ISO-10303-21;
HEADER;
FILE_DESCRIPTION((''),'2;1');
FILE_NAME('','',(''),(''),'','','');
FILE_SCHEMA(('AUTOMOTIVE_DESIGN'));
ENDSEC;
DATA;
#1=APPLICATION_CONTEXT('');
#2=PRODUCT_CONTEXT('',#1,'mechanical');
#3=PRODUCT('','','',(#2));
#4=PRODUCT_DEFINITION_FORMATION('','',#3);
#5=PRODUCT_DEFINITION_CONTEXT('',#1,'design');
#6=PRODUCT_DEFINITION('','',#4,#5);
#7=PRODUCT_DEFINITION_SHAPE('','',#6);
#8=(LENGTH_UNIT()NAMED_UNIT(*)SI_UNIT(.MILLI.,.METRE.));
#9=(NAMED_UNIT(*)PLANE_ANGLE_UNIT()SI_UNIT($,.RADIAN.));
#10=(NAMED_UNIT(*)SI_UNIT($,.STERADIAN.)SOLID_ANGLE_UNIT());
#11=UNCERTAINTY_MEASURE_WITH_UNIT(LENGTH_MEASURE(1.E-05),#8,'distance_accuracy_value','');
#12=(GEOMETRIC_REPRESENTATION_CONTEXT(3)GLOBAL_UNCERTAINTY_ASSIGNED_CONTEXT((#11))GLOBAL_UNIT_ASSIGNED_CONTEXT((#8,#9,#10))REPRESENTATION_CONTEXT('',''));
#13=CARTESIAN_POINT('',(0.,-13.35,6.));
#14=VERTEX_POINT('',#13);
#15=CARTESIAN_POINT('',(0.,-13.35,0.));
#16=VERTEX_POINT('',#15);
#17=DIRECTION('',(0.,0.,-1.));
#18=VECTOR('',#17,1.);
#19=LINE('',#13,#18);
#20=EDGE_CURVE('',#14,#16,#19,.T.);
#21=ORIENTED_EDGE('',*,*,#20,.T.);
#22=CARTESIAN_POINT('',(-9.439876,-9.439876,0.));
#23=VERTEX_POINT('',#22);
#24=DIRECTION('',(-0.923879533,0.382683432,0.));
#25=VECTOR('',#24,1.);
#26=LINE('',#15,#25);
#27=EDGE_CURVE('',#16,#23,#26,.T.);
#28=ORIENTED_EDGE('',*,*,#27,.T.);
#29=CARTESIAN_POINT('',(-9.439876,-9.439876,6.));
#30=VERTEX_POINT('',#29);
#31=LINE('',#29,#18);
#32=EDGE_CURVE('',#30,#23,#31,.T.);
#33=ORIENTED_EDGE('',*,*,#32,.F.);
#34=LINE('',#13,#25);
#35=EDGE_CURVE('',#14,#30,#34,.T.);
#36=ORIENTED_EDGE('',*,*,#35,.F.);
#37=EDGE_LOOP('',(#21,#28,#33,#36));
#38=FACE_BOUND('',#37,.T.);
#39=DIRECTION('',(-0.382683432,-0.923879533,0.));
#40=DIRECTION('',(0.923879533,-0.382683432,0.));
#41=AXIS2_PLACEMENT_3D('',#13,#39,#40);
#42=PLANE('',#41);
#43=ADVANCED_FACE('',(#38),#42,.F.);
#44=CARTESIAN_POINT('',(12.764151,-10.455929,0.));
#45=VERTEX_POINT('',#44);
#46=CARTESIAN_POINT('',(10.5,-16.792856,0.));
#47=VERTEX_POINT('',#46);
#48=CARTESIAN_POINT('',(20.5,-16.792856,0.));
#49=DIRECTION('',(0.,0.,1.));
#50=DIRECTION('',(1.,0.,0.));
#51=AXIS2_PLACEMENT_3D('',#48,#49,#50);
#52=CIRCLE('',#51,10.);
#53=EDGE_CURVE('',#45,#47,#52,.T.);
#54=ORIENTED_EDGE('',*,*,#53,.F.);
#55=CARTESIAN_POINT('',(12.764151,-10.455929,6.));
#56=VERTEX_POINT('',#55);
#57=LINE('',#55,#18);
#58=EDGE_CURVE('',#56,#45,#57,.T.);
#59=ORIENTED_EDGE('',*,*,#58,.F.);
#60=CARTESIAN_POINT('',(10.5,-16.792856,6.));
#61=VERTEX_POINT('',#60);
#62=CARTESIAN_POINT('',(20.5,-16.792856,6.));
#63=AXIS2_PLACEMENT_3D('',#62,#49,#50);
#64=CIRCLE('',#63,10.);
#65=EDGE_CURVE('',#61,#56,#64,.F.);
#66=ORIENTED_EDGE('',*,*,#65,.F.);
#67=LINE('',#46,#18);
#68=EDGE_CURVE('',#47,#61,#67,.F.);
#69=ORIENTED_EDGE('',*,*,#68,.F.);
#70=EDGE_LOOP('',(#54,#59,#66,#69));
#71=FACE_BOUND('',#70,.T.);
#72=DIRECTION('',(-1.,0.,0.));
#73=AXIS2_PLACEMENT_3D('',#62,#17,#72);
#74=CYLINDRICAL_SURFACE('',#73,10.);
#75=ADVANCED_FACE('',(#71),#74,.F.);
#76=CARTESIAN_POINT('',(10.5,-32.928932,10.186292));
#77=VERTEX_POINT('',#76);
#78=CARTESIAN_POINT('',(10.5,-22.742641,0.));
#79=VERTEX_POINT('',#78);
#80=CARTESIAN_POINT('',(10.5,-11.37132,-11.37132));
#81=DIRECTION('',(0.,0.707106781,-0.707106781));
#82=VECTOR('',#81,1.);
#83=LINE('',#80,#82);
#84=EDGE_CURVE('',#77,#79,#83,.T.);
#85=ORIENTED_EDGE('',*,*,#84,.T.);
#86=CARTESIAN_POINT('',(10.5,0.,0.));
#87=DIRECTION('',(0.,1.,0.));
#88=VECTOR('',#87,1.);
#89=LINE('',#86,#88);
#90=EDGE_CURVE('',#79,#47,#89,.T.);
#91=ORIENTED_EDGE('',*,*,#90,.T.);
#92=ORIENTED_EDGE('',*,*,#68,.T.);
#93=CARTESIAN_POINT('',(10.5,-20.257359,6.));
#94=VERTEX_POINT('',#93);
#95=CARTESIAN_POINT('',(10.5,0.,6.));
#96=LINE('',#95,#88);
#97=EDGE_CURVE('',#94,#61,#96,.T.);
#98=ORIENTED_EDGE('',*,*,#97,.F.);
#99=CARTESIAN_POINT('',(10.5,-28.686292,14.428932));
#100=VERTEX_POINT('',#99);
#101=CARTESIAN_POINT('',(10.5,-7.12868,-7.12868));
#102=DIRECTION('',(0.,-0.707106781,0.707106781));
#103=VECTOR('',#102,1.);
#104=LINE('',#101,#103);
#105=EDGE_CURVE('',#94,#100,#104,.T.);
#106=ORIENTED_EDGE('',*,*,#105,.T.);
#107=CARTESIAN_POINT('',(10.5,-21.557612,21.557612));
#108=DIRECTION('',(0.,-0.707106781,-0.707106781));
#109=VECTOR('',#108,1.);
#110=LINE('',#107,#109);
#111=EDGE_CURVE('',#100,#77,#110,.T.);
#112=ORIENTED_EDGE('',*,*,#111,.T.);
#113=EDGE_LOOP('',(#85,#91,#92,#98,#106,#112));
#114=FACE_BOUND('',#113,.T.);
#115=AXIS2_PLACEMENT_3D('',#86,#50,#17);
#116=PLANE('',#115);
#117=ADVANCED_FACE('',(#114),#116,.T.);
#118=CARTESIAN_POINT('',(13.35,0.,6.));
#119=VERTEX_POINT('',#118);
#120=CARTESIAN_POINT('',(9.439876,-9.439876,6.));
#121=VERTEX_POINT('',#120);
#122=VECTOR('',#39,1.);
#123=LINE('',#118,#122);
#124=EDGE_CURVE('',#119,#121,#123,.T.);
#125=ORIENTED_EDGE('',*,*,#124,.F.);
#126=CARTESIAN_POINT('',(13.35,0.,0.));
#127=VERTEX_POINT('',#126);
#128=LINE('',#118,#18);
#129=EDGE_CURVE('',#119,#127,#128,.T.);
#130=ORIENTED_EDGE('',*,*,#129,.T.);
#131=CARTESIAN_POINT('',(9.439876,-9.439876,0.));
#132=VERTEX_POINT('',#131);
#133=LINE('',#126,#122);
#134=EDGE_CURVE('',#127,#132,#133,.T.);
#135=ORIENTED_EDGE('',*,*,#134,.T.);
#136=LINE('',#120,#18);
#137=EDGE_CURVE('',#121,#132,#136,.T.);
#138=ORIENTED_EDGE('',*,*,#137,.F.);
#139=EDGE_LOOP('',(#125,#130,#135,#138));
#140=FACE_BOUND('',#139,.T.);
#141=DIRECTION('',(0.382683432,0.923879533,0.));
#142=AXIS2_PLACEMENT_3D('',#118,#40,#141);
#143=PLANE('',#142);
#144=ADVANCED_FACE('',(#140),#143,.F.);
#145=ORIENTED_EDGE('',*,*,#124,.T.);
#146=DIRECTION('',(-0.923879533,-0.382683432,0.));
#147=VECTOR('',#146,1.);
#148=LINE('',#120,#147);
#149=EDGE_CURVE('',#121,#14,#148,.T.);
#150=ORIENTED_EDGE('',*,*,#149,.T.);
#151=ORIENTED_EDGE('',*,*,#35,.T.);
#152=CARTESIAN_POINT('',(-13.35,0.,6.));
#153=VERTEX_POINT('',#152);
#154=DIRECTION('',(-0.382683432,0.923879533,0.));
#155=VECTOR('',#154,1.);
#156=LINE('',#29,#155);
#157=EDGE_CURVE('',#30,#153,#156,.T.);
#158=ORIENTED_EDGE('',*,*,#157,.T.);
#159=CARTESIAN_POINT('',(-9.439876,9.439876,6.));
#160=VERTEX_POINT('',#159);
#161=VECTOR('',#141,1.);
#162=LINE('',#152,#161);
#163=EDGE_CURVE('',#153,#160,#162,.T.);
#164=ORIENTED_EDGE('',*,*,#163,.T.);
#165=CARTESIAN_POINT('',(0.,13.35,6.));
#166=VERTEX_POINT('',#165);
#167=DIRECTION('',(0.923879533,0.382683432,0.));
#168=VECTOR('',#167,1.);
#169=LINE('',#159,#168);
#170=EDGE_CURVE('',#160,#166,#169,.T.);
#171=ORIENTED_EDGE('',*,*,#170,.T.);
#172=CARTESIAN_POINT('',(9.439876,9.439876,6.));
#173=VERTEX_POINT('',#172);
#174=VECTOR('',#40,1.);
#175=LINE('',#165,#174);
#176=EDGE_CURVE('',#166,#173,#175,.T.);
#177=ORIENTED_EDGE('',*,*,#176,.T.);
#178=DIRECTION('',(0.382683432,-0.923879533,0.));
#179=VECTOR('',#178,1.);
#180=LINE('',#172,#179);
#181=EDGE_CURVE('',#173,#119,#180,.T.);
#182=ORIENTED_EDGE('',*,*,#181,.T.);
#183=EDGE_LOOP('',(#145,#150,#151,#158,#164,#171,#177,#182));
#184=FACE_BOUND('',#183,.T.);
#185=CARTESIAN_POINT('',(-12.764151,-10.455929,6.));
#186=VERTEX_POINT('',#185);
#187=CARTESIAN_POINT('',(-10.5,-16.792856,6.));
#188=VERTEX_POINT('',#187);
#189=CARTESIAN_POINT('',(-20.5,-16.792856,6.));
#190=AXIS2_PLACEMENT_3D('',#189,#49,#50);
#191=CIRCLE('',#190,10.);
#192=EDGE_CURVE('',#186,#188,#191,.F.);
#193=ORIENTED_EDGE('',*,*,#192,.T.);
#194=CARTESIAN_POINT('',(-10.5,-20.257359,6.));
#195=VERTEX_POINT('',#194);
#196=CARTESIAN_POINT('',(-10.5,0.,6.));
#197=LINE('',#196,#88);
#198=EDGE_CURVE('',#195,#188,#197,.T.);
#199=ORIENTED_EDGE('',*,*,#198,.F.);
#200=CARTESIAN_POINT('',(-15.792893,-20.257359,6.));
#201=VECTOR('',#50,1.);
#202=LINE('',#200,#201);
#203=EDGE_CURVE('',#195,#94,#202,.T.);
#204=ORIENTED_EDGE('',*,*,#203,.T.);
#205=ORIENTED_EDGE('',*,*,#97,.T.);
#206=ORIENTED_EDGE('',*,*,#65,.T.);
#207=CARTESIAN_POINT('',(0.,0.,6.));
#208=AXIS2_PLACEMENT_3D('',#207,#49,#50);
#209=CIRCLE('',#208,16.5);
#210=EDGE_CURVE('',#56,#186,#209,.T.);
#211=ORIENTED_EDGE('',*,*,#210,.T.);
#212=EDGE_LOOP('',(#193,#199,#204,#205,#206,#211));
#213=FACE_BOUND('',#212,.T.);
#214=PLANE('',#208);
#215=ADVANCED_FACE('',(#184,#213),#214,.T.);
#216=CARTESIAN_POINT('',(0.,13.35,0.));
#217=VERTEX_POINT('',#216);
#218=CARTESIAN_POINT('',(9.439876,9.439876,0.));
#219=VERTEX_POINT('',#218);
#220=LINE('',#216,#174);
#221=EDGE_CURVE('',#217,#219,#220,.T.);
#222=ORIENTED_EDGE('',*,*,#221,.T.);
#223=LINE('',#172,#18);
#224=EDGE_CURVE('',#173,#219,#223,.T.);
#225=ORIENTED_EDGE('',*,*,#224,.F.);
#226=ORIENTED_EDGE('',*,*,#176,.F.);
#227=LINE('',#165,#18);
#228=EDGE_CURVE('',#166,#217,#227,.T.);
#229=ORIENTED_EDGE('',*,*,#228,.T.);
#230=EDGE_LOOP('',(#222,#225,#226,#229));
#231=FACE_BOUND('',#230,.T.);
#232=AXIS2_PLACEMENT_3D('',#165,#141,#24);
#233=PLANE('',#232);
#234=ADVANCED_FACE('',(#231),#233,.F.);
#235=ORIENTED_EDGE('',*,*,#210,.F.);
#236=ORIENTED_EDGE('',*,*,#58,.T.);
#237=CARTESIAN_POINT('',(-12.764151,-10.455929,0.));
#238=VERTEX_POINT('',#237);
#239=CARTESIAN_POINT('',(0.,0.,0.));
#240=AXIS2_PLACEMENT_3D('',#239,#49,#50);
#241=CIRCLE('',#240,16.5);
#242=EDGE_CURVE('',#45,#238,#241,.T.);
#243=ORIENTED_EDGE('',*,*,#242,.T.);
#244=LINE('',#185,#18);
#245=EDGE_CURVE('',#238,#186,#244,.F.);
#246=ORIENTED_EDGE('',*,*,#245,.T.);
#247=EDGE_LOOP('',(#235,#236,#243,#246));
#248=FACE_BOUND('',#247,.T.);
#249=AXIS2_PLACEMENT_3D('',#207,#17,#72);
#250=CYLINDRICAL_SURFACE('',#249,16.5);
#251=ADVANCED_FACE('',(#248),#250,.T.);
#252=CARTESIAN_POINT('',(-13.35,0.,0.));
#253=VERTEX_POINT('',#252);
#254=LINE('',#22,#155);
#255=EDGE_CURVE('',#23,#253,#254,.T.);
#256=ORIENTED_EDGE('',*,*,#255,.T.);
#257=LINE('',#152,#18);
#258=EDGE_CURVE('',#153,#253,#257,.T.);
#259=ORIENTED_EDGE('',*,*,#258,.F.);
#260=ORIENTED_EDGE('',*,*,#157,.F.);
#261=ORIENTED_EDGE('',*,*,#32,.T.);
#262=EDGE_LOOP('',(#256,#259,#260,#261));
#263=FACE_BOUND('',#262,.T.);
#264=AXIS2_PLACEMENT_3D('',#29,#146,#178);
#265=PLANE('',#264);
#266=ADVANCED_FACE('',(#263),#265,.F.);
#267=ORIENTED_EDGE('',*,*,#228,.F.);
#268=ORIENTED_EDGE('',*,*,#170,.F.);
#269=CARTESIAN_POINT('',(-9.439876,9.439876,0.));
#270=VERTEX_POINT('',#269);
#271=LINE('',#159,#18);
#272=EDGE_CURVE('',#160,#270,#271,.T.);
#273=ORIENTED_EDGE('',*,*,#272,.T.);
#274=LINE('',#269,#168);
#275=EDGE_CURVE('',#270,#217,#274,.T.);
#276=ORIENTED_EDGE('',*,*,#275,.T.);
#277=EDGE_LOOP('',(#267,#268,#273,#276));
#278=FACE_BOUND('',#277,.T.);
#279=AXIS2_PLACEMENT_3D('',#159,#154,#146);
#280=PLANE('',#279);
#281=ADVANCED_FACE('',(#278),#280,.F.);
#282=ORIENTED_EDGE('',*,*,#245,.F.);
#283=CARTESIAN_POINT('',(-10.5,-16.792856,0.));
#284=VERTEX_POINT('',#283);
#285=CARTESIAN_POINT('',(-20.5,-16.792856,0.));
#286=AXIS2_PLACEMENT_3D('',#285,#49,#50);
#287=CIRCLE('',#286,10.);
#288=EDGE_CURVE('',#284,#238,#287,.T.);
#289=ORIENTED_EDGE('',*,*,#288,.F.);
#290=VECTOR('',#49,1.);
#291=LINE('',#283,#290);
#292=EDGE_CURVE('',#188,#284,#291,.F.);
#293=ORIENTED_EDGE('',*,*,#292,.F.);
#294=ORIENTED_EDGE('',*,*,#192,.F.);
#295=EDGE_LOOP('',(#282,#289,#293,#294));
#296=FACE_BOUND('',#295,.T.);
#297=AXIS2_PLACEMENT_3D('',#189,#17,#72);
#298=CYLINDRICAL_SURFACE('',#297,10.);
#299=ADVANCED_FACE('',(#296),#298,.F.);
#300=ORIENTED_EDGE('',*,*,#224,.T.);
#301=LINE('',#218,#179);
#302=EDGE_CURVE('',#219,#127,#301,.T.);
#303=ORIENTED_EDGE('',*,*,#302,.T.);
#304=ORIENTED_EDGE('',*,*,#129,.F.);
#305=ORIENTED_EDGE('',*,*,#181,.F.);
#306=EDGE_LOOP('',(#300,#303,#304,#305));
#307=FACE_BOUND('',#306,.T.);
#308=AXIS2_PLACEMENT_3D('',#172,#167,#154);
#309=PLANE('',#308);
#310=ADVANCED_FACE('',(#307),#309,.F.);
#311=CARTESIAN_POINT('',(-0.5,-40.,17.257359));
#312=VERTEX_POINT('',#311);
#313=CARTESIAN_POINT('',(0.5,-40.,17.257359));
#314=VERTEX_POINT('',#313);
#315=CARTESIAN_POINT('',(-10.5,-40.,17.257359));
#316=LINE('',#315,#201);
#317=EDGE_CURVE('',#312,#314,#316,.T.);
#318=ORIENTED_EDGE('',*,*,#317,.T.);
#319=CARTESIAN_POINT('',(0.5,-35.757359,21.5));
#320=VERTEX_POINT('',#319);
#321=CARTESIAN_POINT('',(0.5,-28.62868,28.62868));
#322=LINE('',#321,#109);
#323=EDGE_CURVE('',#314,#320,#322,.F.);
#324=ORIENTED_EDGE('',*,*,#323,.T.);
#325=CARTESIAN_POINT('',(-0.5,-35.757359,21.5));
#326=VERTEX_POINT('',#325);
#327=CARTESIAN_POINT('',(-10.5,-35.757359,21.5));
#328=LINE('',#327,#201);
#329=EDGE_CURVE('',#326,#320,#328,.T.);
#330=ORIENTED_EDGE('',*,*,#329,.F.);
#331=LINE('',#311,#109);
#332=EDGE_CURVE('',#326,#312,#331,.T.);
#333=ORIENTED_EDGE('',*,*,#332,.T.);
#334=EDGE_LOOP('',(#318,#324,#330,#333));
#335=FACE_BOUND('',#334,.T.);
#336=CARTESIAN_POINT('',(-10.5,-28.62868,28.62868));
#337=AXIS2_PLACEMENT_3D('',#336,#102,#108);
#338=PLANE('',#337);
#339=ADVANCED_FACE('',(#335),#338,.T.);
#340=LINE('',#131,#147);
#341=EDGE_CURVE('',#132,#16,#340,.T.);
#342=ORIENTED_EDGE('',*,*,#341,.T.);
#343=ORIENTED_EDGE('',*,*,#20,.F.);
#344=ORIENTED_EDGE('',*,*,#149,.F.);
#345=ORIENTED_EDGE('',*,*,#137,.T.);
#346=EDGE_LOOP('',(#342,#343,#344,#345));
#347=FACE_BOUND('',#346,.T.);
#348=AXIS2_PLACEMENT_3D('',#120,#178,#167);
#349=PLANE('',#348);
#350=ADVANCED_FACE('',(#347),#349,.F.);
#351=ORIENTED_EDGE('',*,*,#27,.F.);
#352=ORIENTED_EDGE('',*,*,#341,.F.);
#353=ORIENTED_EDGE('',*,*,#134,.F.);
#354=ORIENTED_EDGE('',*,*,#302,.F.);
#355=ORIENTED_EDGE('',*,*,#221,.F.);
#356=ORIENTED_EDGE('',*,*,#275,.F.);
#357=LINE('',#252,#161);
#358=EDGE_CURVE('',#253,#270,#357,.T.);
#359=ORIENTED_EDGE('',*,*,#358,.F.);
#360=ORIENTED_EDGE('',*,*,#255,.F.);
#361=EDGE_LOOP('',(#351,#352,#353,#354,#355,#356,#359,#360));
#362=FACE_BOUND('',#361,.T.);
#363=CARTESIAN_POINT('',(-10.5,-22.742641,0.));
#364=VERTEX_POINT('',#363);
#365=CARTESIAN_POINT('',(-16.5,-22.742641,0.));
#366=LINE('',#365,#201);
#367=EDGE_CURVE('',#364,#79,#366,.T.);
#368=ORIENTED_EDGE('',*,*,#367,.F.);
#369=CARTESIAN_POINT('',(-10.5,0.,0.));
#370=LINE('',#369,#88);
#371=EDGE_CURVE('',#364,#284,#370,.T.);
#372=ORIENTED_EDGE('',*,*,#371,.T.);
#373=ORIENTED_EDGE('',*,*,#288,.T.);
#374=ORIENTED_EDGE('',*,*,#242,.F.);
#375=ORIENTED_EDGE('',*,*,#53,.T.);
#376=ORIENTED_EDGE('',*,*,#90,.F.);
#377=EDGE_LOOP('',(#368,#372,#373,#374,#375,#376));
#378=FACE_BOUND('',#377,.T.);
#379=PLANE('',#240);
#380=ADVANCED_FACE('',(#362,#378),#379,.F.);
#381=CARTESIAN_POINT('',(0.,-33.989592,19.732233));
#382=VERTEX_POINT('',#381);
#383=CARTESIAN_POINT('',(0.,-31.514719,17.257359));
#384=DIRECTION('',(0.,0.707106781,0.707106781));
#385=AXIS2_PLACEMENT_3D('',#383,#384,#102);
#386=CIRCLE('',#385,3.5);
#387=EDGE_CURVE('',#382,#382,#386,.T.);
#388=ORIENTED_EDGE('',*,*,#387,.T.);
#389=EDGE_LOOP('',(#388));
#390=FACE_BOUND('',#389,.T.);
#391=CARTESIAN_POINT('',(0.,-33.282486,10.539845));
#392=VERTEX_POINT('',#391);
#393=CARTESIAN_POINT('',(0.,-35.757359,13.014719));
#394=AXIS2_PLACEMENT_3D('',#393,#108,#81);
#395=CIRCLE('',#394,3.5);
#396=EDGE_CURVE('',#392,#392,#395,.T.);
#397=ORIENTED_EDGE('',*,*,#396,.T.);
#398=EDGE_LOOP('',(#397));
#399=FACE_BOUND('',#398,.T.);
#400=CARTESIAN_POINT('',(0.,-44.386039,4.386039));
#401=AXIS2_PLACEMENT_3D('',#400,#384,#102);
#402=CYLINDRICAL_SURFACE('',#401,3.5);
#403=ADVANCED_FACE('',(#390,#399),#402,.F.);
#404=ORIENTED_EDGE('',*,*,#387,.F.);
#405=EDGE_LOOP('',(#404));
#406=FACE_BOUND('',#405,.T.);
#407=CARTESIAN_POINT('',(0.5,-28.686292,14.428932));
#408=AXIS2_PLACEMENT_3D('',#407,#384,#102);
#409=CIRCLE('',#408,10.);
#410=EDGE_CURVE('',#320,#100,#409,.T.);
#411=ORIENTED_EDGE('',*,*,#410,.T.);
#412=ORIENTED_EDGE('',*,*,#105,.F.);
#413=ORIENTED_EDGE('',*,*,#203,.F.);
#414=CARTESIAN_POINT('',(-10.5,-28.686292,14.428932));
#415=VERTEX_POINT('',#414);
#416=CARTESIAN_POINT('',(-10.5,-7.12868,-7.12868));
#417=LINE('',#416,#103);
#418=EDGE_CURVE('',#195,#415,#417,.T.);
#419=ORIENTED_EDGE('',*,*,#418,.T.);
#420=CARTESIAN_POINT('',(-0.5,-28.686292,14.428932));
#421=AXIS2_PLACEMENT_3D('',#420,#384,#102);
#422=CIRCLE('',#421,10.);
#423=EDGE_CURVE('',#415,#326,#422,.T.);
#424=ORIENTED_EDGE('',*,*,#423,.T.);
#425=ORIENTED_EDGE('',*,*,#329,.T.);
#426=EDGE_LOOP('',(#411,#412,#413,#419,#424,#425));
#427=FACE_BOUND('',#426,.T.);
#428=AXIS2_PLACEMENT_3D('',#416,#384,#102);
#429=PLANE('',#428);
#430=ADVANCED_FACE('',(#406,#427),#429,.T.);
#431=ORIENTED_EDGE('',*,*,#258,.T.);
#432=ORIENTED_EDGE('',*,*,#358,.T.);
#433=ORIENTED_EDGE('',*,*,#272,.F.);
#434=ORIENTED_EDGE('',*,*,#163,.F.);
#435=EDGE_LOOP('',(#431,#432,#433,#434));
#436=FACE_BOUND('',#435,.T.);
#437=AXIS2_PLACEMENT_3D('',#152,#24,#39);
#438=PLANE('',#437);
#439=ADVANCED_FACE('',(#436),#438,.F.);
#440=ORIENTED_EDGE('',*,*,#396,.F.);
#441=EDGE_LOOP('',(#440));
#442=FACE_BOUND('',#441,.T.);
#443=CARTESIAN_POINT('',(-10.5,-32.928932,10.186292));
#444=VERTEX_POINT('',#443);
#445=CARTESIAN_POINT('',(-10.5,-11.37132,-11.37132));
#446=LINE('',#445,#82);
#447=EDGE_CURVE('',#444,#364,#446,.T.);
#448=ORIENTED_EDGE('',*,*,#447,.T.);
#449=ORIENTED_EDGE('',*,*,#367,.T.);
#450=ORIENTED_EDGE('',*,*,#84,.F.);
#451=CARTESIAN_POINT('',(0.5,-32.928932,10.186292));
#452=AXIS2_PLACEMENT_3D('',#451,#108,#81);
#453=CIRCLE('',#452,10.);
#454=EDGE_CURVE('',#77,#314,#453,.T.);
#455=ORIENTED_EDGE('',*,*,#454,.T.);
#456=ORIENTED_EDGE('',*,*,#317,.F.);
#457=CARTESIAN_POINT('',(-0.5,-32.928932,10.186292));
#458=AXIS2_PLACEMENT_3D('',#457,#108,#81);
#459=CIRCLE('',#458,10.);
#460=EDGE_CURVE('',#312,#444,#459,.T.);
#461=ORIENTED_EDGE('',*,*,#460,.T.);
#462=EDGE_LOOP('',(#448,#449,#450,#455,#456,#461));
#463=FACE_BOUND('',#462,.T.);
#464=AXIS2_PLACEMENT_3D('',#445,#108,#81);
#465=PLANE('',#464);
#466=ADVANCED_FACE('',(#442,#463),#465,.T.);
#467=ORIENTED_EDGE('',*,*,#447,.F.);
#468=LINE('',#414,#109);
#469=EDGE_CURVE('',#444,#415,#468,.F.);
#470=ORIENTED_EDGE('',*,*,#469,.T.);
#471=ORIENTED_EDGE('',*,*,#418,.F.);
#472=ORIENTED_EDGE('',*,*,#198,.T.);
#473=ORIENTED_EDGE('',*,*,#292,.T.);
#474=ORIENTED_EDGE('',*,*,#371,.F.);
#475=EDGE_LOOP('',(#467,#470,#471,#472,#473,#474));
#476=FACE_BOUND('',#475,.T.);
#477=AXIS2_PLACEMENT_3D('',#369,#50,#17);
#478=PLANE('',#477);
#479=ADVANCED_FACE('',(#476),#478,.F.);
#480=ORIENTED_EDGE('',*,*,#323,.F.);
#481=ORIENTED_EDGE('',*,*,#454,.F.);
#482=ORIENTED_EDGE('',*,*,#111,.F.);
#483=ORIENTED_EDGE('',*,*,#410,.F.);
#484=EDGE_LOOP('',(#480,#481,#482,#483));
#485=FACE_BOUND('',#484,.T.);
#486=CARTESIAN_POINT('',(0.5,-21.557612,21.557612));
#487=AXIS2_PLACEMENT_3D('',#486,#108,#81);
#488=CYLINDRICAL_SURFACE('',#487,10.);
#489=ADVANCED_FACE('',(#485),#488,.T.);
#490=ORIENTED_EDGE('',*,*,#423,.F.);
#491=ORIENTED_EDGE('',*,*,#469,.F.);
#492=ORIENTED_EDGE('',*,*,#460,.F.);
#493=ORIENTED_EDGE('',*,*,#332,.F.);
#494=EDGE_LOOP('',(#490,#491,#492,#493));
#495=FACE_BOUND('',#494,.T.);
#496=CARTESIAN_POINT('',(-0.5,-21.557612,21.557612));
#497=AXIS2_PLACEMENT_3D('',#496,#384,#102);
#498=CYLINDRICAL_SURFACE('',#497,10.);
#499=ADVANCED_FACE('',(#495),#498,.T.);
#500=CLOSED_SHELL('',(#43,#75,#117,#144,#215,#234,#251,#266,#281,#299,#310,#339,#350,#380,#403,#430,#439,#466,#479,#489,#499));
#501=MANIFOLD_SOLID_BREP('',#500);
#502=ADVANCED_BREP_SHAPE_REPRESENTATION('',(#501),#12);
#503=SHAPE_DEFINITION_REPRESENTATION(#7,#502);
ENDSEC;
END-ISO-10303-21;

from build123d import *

# Parameters (mm, degrees)
SKETCH_1_R               = 16.5
EXTRUDE_1_DEPTH          = 6
EXTRUDE_START            = -6
EXTRUDE_2_DEPTH          = 6
EXTRUDE_3_DEPTH          = 21
SKETCH_4_R               = 3.5
CUT_EXTRUDE_1_DEPTH      = 47.608743815
CUT_EXTRUDE_3_DEPTH      = 53.832281798
CUT_EXTRUDE_3_DEPTH_BACK = 53.832281798
EXTRUDE_4_DEPTH          = 21
FILLET_3_R               = 10


with BuildPart() as part:
    # 草图1 → 凸台-拉伸1 (new body)
    with BuildSketch(Plane.XY):
        Circle(SKETCH_1_R)
        Polygon((13.35, 0), (9.439875529, -9.439875529), (0, -13.35), (-9.439875529, -9.439875529), (-13.35, 0), (-9.439875529, 9.439875529), (0, 13.35), (9.439875529, 9.439875529), align=None, mode=Mode.SUBTRACT)
    extrude(amount=EXTRUDE_1_DEPTH)

    # 草图2 → 凸台-拉伸2 (add)
    with BuildSketch(Plane.XY.offset(6).offset(EXTRUDE_START)):
        with BuildLine():
            Line((-10.5, -12.727922061), (-10.5, -30))
            Line((-10.5, -30), (10.5, -30))
            Line((10.5, -30), (10.5, -12.727922061))
            ThreePointArc((10.5, -12.727922061), (0, -16.5), (-10.5, -12.727922061))
        make_face()
    extrude(amount=EXTRUDE_2_DEPTH)

    # 草图3 → 凸台-拉伸3 (add)
    with BuildSketch(Plane(origin=(10.5, 0, 0), x_dir=(0, 0, -1), z_dir=(1, 0, 0))):
        Polygon((-6, -24), (-9.742640687, -24), (-15.742640687, -30), (-7.257359313, -30), (-6, -28.742640687), align=None)
        Polygon((-6, -30), (-6, -28.742640687), (-7.257359313, -30), align=None)
        Polygon((-7.257359313, -30), (-15.742640687, -30), (-21.5, -35.757359313), (-17.257359313, -40), align=None)
    extrude(amount=-EXTRUDE_3_DEPTH)

    # 草图4 → 切除-拉伸1 (cut, through all)
    with BuildSketch(Plane(origin=(0, -7.128679656, -7.128679656), x_dir=(1, 0, 0), z_dir=(0, 0.7071067811865438, 0.7071067811865513))):
        with Locations(Location((0, -34.487067043, 0), (0, 0, 270))):
            Circle(SKETCH_4_R)
    extrude(amount=-CUT_EXTRUDE_1_DEPTH, mode=Mode.SUBTRACT)

    # 草图5 → 切除-拉伸3 (cut, two sides: drawn at the far end of the back side and taken through both)
    with BuildSketch(Plane(origin=(10.5, 0, 0), x_dir=(0, 0, -1), z_dir=(1, 0, 0)).offset(-CUT_EXTRUDE_3_DEPTH_BACK)):
        Polygon((0, -22.742640687), (-7.257359313, -30), (0, -30), align=None)
    extrude(amount=CUT_EXTRUDE_3_DEPTH + CUT_EXTRUDE_3_DEPTH_BACK, mode=Mode.SUBTRACT)

    # 草图6 → 凸台-拉伸4 (add)
    with BuildSketch(Plane(origin=(10.5, 0, 0), x_dir=(0, 0, -1), z_dir=(1, 0, 0))):
        Polygon((-6, -20.257359313), (-9.742640687, -24), (-6, -24), align=None)
    extrude(amount=-EXTRUDE_4_DEPTH)

    # 圆角3
    fillet_3_edges = [part.edges().sort_by_distance(p)[0] for p in [
        (-10.5, -12.727922061, 3),
        (10.5, -12.727922061, 3),
        (-10.5, -37.878679656, 19.378679656),
        (10.5, -37.878679656, 19.378679656),
    ]]
    fillet(fillet_3_edges, radius=FILLET_3_R)


solid = part.part
